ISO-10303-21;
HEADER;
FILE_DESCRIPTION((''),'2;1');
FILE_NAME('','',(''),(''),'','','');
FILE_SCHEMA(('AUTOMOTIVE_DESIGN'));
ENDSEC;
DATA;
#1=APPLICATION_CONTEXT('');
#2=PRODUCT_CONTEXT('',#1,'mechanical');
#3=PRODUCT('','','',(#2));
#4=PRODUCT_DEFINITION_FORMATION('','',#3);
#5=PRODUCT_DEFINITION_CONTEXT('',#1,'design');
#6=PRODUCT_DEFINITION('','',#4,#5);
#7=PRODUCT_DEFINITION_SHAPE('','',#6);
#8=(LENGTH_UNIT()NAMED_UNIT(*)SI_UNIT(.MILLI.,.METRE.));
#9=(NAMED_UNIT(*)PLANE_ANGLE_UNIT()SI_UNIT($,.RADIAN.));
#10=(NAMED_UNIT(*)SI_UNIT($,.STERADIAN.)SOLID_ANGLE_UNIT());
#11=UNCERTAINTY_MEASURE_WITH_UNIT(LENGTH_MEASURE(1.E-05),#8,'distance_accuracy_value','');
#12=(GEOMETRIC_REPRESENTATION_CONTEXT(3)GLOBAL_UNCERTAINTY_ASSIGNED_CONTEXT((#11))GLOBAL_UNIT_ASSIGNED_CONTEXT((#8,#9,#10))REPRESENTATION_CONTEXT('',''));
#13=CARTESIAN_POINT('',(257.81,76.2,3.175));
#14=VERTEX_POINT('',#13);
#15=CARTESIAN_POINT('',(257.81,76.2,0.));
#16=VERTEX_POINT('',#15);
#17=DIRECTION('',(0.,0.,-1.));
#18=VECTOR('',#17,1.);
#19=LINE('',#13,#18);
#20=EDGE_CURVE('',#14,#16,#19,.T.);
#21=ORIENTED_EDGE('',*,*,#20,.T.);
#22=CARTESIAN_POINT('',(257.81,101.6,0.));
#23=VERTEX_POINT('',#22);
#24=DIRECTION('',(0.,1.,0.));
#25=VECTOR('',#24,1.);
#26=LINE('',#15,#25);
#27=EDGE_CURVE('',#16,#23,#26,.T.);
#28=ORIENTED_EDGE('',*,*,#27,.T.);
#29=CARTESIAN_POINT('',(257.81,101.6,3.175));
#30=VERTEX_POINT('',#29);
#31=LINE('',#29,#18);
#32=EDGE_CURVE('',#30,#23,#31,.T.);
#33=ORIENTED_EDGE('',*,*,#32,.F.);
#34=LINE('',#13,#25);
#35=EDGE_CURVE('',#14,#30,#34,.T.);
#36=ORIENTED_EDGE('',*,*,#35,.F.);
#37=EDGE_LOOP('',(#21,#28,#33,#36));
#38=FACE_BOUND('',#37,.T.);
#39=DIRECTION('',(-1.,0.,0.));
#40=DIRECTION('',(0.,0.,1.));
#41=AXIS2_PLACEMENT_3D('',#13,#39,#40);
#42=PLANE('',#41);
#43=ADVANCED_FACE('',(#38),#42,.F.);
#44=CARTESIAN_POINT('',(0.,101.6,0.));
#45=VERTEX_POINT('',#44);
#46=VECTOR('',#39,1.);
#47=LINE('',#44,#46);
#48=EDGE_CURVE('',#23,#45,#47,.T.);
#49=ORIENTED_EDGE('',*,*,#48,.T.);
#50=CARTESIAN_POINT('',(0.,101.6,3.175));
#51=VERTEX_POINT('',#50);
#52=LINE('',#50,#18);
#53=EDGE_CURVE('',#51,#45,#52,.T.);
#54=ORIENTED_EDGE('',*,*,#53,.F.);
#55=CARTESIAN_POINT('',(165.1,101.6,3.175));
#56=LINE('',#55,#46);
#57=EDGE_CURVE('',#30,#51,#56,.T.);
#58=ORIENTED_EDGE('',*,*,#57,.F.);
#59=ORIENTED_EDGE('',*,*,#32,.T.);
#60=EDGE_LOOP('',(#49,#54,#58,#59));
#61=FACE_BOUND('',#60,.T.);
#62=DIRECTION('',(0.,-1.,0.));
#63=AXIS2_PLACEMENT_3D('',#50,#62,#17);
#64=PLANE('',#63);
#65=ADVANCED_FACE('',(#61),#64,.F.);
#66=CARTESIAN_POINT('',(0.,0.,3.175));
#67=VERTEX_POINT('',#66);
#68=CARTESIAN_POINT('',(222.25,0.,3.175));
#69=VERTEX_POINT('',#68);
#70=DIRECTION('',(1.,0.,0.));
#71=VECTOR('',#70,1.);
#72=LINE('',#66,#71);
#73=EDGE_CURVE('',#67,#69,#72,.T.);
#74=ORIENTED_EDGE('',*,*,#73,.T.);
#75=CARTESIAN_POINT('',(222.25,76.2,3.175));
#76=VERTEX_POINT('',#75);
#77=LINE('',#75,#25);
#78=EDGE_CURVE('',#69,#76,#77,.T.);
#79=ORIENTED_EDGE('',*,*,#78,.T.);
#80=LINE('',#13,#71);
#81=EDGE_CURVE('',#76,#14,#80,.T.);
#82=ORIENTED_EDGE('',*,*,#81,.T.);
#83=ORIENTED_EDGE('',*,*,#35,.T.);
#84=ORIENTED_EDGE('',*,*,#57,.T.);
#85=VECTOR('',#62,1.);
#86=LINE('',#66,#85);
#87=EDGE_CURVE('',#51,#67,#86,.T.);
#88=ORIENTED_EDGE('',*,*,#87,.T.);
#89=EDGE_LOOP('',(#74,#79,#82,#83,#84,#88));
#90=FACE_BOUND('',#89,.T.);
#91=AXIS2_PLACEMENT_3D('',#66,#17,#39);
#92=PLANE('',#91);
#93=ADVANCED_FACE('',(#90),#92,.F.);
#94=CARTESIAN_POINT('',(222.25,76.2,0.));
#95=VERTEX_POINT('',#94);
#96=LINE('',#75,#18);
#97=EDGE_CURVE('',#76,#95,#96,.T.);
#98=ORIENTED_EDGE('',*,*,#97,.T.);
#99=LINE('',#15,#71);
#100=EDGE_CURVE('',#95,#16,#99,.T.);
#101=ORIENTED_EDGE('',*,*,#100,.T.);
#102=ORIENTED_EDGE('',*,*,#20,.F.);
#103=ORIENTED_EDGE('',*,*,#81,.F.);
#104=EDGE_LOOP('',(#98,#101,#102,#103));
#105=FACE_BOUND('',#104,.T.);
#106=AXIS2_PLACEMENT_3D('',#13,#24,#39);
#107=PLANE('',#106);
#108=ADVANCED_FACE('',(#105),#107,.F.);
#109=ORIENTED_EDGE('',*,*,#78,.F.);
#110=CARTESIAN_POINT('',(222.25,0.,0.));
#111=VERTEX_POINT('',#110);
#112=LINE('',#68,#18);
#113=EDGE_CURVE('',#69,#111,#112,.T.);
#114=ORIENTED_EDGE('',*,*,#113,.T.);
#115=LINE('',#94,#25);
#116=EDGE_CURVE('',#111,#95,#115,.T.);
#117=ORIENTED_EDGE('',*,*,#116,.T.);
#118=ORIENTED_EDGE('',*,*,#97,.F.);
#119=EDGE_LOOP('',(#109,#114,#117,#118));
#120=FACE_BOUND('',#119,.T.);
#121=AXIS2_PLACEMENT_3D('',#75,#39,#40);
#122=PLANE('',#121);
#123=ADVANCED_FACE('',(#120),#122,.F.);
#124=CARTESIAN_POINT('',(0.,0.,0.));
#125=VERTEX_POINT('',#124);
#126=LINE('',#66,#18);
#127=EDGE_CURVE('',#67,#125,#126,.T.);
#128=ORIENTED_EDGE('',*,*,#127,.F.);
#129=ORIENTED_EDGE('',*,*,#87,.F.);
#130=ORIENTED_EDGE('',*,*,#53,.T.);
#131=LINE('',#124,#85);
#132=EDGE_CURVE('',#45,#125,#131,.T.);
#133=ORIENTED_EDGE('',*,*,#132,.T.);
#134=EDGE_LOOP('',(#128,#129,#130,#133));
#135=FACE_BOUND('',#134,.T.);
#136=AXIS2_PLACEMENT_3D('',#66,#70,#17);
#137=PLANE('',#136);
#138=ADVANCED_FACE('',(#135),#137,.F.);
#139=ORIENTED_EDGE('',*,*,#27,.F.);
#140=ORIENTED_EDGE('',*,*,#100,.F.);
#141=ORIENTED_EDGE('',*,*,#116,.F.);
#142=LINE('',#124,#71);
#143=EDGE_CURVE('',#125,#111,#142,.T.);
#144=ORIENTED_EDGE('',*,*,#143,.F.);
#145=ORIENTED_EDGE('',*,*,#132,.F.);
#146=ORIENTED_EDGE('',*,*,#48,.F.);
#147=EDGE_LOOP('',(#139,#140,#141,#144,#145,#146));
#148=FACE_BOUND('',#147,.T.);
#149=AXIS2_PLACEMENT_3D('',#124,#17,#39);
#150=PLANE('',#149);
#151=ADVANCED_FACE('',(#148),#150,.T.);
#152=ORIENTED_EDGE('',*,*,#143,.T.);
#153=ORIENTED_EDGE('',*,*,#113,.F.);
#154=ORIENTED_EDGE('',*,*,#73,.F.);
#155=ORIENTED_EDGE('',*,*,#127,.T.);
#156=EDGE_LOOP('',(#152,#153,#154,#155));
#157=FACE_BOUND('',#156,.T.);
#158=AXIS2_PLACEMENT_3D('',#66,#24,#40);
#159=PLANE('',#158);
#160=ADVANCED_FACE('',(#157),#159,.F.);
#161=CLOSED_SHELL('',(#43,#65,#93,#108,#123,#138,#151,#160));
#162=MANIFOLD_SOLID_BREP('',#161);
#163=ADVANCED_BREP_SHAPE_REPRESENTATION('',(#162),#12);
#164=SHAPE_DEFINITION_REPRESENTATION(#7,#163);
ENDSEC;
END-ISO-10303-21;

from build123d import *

# Parameters (mm, degrees)
BOSS_EXTRUDE1_DEPTH = 3.175


with BuildPart() as part:
    # Sketch1 → Boss-Extrude1 (new body)
    with BuildSketch(Plane.XY):
        Polygon((257.81, 76.2), (222.25, 76.2), (222.25, 0), (0, 0), (0, 101.6), (63.5, 101.6), (165.1, 101.6), (257.81, 101.6), align=None)
    extrude(amount=BOSS_EXTRUDE1_DEPTH)


solid = part.part
